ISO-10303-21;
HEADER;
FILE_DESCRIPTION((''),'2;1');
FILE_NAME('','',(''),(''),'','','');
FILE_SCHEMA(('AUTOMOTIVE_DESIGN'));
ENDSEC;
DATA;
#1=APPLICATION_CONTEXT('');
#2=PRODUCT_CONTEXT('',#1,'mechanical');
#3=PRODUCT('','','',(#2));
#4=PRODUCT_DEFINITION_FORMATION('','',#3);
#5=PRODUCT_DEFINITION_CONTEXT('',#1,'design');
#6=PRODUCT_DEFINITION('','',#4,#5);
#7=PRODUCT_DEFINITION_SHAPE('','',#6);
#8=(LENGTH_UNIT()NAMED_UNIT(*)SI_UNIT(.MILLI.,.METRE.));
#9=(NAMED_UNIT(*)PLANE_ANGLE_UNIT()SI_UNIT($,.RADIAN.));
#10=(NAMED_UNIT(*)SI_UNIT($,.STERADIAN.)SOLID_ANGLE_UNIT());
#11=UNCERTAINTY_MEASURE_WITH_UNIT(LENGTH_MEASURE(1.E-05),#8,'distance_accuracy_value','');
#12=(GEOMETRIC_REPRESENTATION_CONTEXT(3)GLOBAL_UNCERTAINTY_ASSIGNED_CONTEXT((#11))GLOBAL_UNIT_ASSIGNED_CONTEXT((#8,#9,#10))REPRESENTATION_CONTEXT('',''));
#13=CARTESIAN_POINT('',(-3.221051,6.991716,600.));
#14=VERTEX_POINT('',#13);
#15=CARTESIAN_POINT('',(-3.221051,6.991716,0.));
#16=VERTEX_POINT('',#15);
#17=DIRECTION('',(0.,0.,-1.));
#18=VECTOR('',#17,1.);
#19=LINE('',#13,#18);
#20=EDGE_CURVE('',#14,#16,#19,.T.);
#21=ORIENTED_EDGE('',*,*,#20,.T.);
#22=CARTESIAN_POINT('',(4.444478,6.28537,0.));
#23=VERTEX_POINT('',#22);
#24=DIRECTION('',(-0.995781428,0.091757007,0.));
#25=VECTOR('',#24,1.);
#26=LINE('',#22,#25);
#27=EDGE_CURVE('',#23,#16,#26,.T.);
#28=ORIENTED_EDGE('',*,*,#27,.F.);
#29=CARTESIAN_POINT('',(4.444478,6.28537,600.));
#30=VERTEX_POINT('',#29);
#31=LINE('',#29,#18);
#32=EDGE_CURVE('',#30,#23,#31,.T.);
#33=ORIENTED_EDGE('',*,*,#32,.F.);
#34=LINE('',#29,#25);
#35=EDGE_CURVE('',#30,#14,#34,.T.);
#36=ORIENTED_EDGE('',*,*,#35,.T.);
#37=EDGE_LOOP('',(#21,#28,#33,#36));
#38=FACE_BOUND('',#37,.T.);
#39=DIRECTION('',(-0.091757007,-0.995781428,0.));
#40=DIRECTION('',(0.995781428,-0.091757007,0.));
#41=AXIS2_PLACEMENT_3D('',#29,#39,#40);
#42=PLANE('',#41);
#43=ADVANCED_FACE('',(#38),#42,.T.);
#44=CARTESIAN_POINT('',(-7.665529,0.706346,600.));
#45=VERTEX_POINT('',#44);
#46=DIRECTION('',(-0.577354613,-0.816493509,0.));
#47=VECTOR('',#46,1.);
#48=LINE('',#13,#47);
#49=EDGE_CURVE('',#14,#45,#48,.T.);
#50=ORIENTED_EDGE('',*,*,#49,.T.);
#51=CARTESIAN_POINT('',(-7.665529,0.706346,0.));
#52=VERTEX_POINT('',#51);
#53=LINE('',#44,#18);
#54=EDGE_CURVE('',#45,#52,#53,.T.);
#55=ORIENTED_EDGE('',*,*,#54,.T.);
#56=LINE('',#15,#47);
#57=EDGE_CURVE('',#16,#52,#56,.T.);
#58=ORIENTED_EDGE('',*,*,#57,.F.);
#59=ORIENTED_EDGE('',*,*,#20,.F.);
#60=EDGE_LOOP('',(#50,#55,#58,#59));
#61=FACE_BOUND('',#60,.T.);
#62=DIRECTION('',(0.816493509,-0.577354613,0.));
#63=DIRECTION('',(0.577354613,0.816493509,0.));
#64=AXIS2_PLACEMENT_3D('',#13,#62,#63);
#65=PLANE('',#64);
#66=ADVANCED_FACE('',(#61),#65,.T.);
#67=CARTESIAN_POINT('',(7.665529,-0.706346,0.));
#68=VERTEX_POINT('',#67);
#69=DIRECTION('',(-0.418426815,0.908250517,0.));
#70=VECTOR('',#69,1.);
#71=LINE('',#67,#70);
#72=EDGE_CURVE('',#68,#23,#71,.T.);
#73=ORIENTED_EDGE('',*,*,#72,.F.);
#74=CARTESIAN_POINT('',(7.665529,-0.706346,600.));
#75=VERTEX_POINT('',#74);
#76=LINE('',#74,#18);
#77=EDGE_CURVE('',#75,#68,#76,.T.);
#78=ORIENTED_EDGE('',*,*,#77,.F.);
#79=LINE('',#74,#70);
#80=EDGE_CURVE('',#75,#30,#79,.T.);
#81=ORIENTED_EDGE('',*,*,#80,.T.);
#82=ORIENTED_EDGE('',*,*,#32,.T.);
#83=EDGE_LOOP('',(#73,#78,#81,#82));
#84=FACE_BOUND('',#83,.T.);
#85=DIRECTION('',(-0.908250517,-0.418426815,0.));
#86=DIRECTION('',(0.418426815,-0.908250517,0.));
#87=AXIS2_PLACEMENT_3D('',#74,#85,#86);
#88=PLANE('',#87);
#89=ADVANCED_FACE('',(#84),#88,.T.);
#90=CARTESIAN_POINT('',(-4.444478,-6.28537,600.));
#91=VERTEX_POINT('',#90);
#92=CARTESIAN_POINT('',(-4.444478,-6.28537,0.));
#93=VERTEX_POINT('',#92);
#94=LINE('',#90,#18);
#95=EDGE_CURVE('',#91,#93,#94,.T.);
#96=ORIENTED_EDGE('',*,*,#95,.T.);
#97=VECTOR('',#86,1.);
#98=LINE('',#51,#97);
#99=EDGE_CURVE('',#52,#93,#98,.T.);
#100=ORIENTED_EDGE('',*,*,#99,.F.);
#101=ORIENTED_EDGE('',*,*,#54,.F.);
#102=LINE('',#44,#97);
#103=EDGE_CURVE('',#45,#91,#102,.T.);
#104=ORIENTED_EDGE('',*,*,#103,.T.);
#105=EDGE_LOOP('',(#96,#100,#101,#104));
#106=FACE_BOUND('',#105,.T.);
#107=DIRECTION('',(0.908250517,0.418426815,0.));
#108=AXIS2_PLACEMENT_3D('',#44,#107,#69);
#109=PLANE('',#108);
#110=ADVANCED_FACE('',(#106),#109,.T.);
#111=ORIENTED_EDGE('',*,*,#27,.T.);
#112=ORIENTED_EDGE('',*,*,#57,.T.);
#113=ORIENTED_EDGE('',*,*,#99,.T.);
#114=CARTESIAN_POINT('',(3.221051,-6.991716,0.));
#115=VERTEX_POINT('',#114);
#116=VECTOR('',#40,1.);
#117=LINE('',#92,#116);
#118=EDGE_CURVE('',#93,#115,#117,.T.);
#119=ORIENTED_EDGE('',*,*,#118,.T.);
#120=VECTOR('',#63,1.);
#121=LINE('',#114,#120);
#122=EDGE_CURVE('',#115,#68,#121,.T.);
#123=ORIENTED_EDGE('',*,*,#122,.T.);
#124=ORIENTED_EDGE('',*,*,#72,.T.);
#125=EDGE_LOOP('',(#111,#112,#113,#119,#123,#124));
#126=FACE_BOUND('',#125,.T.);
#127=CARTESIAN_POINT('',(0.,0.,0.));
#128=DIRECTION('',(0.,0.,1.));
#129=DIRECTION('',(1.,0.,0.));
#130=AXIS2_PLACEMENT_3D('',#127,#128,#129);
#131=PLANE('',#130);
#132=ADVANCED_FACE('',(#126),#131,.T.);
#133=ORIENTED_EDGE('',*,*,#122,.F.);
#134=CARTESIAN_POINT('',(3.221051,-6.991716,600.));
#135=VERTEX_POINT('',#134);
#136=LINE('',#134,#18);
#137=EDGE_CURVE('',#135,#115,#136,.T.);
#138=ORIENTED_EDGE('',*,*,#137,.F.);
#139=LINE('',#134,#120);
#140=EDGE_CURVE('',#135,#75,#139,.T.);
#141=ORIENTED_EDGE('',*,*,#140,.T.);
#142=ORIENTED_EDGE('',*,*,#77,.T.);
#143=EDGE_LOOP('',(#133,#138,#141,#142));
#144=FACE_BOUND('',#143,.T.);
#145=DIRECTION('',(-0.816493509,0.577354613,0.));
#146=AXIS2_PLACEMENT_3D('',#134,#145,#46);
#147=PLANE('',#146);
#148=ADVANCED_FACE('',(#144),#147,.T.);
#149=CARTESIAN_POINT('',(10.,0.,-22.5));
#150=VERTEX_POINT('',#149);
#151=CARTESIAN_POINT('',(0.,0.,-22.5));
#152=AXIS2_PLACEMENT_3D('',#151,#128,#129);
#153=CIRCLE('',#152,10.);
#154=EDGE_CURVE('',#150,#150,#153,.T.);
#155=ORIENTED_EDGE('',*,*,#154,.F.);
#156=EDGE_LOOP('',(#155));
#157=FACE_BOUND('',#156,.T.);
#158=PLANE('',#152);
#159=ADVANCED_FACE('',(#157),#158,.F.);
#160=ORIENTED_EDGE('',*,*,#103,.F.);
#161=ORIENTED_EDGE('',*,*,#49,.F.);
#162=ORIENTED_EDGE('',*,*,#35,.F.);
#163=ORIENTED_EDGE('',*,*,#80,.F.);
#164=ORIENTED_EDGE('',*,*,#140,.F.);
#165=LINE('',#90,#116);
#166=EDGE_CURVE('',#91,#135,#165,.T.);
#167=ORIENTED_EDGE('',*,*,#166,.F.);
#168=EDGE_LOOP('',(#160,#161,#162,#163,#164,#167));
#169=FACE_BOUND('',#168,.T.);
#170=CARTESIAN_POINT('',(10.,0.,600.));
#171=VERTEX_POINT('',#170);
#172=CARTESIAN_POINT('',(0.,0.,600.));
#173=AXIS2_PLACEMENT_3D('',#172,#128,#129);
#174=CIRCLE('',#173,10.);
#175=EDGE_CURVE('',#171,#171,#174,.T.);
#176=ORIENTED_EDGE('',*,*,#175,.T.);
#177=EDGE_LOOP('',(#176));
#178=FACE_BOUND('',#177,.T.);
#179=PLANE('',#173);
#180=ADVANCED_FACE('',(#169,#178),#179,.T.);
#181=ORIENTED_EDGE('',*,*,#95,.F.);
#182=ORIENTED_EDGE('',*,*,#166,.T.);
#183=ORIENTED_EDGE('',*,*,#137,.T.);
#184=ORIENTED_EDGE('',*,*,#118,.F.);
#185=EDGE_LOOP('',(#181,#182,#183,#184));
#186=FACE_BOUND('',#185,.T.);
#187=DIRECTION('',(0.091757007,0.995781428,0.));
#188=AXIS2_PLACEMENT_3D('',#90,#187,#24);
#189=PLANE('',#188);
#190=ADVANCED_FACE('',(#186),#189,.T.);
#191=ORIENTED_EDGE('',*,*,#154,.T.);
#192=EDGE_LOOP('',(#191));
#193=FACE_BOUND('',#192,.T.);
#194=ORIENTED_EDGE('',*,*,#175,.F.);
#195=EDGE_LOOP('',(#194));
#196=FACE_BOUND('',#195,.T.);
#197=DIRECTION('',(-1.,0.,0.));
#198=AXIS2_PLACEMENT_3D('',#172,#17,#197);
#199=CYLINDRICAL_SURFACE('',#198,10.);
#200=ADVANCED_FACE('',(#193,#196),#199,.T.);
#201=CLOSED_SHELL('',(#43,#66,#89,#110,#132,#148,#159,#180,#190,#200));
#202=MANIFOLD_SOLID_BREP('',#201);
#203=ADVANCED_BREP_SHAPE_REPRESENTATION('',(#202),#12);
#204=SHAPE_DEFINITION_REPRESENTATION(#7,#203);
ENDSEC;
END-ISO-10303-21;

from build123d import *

# Parameters (mm, degrees)
SKETCH1_R           = 10
BOSS_EXTRUDE1_DEPTH = 600
SKETCH2_R           = 10
BOSS_EXTRUDE2_DEPTH = 22.5


with BuildPart() as part:
    # Sketch1 → Boss-Extrude1 (new body)
    with BuildSketch(Plane.XY):
        Circle(SKETCH1_R)
        Polygon((7.665529004, -0.706345771), (4.444477884, 6.285369965), (-3.22105112, 6.991715737), (-7.665529004, 0.706345771), (-4.444477884, -6.285369965), (3.22105112, -6.991715737), align=None, mode=Mode.SUBTRACT)
    extrude(amount=BOSS_EXTRUDE1_DEPTH)

    # Sketch2 → Boss-Extrude2 (add)
    with BuildSketch(Plane.XY):
        Circle(SKETCH2_R)
    extrude(amount=-BOSS_EXTRUDE2_DEPTH)


solid = part.part
